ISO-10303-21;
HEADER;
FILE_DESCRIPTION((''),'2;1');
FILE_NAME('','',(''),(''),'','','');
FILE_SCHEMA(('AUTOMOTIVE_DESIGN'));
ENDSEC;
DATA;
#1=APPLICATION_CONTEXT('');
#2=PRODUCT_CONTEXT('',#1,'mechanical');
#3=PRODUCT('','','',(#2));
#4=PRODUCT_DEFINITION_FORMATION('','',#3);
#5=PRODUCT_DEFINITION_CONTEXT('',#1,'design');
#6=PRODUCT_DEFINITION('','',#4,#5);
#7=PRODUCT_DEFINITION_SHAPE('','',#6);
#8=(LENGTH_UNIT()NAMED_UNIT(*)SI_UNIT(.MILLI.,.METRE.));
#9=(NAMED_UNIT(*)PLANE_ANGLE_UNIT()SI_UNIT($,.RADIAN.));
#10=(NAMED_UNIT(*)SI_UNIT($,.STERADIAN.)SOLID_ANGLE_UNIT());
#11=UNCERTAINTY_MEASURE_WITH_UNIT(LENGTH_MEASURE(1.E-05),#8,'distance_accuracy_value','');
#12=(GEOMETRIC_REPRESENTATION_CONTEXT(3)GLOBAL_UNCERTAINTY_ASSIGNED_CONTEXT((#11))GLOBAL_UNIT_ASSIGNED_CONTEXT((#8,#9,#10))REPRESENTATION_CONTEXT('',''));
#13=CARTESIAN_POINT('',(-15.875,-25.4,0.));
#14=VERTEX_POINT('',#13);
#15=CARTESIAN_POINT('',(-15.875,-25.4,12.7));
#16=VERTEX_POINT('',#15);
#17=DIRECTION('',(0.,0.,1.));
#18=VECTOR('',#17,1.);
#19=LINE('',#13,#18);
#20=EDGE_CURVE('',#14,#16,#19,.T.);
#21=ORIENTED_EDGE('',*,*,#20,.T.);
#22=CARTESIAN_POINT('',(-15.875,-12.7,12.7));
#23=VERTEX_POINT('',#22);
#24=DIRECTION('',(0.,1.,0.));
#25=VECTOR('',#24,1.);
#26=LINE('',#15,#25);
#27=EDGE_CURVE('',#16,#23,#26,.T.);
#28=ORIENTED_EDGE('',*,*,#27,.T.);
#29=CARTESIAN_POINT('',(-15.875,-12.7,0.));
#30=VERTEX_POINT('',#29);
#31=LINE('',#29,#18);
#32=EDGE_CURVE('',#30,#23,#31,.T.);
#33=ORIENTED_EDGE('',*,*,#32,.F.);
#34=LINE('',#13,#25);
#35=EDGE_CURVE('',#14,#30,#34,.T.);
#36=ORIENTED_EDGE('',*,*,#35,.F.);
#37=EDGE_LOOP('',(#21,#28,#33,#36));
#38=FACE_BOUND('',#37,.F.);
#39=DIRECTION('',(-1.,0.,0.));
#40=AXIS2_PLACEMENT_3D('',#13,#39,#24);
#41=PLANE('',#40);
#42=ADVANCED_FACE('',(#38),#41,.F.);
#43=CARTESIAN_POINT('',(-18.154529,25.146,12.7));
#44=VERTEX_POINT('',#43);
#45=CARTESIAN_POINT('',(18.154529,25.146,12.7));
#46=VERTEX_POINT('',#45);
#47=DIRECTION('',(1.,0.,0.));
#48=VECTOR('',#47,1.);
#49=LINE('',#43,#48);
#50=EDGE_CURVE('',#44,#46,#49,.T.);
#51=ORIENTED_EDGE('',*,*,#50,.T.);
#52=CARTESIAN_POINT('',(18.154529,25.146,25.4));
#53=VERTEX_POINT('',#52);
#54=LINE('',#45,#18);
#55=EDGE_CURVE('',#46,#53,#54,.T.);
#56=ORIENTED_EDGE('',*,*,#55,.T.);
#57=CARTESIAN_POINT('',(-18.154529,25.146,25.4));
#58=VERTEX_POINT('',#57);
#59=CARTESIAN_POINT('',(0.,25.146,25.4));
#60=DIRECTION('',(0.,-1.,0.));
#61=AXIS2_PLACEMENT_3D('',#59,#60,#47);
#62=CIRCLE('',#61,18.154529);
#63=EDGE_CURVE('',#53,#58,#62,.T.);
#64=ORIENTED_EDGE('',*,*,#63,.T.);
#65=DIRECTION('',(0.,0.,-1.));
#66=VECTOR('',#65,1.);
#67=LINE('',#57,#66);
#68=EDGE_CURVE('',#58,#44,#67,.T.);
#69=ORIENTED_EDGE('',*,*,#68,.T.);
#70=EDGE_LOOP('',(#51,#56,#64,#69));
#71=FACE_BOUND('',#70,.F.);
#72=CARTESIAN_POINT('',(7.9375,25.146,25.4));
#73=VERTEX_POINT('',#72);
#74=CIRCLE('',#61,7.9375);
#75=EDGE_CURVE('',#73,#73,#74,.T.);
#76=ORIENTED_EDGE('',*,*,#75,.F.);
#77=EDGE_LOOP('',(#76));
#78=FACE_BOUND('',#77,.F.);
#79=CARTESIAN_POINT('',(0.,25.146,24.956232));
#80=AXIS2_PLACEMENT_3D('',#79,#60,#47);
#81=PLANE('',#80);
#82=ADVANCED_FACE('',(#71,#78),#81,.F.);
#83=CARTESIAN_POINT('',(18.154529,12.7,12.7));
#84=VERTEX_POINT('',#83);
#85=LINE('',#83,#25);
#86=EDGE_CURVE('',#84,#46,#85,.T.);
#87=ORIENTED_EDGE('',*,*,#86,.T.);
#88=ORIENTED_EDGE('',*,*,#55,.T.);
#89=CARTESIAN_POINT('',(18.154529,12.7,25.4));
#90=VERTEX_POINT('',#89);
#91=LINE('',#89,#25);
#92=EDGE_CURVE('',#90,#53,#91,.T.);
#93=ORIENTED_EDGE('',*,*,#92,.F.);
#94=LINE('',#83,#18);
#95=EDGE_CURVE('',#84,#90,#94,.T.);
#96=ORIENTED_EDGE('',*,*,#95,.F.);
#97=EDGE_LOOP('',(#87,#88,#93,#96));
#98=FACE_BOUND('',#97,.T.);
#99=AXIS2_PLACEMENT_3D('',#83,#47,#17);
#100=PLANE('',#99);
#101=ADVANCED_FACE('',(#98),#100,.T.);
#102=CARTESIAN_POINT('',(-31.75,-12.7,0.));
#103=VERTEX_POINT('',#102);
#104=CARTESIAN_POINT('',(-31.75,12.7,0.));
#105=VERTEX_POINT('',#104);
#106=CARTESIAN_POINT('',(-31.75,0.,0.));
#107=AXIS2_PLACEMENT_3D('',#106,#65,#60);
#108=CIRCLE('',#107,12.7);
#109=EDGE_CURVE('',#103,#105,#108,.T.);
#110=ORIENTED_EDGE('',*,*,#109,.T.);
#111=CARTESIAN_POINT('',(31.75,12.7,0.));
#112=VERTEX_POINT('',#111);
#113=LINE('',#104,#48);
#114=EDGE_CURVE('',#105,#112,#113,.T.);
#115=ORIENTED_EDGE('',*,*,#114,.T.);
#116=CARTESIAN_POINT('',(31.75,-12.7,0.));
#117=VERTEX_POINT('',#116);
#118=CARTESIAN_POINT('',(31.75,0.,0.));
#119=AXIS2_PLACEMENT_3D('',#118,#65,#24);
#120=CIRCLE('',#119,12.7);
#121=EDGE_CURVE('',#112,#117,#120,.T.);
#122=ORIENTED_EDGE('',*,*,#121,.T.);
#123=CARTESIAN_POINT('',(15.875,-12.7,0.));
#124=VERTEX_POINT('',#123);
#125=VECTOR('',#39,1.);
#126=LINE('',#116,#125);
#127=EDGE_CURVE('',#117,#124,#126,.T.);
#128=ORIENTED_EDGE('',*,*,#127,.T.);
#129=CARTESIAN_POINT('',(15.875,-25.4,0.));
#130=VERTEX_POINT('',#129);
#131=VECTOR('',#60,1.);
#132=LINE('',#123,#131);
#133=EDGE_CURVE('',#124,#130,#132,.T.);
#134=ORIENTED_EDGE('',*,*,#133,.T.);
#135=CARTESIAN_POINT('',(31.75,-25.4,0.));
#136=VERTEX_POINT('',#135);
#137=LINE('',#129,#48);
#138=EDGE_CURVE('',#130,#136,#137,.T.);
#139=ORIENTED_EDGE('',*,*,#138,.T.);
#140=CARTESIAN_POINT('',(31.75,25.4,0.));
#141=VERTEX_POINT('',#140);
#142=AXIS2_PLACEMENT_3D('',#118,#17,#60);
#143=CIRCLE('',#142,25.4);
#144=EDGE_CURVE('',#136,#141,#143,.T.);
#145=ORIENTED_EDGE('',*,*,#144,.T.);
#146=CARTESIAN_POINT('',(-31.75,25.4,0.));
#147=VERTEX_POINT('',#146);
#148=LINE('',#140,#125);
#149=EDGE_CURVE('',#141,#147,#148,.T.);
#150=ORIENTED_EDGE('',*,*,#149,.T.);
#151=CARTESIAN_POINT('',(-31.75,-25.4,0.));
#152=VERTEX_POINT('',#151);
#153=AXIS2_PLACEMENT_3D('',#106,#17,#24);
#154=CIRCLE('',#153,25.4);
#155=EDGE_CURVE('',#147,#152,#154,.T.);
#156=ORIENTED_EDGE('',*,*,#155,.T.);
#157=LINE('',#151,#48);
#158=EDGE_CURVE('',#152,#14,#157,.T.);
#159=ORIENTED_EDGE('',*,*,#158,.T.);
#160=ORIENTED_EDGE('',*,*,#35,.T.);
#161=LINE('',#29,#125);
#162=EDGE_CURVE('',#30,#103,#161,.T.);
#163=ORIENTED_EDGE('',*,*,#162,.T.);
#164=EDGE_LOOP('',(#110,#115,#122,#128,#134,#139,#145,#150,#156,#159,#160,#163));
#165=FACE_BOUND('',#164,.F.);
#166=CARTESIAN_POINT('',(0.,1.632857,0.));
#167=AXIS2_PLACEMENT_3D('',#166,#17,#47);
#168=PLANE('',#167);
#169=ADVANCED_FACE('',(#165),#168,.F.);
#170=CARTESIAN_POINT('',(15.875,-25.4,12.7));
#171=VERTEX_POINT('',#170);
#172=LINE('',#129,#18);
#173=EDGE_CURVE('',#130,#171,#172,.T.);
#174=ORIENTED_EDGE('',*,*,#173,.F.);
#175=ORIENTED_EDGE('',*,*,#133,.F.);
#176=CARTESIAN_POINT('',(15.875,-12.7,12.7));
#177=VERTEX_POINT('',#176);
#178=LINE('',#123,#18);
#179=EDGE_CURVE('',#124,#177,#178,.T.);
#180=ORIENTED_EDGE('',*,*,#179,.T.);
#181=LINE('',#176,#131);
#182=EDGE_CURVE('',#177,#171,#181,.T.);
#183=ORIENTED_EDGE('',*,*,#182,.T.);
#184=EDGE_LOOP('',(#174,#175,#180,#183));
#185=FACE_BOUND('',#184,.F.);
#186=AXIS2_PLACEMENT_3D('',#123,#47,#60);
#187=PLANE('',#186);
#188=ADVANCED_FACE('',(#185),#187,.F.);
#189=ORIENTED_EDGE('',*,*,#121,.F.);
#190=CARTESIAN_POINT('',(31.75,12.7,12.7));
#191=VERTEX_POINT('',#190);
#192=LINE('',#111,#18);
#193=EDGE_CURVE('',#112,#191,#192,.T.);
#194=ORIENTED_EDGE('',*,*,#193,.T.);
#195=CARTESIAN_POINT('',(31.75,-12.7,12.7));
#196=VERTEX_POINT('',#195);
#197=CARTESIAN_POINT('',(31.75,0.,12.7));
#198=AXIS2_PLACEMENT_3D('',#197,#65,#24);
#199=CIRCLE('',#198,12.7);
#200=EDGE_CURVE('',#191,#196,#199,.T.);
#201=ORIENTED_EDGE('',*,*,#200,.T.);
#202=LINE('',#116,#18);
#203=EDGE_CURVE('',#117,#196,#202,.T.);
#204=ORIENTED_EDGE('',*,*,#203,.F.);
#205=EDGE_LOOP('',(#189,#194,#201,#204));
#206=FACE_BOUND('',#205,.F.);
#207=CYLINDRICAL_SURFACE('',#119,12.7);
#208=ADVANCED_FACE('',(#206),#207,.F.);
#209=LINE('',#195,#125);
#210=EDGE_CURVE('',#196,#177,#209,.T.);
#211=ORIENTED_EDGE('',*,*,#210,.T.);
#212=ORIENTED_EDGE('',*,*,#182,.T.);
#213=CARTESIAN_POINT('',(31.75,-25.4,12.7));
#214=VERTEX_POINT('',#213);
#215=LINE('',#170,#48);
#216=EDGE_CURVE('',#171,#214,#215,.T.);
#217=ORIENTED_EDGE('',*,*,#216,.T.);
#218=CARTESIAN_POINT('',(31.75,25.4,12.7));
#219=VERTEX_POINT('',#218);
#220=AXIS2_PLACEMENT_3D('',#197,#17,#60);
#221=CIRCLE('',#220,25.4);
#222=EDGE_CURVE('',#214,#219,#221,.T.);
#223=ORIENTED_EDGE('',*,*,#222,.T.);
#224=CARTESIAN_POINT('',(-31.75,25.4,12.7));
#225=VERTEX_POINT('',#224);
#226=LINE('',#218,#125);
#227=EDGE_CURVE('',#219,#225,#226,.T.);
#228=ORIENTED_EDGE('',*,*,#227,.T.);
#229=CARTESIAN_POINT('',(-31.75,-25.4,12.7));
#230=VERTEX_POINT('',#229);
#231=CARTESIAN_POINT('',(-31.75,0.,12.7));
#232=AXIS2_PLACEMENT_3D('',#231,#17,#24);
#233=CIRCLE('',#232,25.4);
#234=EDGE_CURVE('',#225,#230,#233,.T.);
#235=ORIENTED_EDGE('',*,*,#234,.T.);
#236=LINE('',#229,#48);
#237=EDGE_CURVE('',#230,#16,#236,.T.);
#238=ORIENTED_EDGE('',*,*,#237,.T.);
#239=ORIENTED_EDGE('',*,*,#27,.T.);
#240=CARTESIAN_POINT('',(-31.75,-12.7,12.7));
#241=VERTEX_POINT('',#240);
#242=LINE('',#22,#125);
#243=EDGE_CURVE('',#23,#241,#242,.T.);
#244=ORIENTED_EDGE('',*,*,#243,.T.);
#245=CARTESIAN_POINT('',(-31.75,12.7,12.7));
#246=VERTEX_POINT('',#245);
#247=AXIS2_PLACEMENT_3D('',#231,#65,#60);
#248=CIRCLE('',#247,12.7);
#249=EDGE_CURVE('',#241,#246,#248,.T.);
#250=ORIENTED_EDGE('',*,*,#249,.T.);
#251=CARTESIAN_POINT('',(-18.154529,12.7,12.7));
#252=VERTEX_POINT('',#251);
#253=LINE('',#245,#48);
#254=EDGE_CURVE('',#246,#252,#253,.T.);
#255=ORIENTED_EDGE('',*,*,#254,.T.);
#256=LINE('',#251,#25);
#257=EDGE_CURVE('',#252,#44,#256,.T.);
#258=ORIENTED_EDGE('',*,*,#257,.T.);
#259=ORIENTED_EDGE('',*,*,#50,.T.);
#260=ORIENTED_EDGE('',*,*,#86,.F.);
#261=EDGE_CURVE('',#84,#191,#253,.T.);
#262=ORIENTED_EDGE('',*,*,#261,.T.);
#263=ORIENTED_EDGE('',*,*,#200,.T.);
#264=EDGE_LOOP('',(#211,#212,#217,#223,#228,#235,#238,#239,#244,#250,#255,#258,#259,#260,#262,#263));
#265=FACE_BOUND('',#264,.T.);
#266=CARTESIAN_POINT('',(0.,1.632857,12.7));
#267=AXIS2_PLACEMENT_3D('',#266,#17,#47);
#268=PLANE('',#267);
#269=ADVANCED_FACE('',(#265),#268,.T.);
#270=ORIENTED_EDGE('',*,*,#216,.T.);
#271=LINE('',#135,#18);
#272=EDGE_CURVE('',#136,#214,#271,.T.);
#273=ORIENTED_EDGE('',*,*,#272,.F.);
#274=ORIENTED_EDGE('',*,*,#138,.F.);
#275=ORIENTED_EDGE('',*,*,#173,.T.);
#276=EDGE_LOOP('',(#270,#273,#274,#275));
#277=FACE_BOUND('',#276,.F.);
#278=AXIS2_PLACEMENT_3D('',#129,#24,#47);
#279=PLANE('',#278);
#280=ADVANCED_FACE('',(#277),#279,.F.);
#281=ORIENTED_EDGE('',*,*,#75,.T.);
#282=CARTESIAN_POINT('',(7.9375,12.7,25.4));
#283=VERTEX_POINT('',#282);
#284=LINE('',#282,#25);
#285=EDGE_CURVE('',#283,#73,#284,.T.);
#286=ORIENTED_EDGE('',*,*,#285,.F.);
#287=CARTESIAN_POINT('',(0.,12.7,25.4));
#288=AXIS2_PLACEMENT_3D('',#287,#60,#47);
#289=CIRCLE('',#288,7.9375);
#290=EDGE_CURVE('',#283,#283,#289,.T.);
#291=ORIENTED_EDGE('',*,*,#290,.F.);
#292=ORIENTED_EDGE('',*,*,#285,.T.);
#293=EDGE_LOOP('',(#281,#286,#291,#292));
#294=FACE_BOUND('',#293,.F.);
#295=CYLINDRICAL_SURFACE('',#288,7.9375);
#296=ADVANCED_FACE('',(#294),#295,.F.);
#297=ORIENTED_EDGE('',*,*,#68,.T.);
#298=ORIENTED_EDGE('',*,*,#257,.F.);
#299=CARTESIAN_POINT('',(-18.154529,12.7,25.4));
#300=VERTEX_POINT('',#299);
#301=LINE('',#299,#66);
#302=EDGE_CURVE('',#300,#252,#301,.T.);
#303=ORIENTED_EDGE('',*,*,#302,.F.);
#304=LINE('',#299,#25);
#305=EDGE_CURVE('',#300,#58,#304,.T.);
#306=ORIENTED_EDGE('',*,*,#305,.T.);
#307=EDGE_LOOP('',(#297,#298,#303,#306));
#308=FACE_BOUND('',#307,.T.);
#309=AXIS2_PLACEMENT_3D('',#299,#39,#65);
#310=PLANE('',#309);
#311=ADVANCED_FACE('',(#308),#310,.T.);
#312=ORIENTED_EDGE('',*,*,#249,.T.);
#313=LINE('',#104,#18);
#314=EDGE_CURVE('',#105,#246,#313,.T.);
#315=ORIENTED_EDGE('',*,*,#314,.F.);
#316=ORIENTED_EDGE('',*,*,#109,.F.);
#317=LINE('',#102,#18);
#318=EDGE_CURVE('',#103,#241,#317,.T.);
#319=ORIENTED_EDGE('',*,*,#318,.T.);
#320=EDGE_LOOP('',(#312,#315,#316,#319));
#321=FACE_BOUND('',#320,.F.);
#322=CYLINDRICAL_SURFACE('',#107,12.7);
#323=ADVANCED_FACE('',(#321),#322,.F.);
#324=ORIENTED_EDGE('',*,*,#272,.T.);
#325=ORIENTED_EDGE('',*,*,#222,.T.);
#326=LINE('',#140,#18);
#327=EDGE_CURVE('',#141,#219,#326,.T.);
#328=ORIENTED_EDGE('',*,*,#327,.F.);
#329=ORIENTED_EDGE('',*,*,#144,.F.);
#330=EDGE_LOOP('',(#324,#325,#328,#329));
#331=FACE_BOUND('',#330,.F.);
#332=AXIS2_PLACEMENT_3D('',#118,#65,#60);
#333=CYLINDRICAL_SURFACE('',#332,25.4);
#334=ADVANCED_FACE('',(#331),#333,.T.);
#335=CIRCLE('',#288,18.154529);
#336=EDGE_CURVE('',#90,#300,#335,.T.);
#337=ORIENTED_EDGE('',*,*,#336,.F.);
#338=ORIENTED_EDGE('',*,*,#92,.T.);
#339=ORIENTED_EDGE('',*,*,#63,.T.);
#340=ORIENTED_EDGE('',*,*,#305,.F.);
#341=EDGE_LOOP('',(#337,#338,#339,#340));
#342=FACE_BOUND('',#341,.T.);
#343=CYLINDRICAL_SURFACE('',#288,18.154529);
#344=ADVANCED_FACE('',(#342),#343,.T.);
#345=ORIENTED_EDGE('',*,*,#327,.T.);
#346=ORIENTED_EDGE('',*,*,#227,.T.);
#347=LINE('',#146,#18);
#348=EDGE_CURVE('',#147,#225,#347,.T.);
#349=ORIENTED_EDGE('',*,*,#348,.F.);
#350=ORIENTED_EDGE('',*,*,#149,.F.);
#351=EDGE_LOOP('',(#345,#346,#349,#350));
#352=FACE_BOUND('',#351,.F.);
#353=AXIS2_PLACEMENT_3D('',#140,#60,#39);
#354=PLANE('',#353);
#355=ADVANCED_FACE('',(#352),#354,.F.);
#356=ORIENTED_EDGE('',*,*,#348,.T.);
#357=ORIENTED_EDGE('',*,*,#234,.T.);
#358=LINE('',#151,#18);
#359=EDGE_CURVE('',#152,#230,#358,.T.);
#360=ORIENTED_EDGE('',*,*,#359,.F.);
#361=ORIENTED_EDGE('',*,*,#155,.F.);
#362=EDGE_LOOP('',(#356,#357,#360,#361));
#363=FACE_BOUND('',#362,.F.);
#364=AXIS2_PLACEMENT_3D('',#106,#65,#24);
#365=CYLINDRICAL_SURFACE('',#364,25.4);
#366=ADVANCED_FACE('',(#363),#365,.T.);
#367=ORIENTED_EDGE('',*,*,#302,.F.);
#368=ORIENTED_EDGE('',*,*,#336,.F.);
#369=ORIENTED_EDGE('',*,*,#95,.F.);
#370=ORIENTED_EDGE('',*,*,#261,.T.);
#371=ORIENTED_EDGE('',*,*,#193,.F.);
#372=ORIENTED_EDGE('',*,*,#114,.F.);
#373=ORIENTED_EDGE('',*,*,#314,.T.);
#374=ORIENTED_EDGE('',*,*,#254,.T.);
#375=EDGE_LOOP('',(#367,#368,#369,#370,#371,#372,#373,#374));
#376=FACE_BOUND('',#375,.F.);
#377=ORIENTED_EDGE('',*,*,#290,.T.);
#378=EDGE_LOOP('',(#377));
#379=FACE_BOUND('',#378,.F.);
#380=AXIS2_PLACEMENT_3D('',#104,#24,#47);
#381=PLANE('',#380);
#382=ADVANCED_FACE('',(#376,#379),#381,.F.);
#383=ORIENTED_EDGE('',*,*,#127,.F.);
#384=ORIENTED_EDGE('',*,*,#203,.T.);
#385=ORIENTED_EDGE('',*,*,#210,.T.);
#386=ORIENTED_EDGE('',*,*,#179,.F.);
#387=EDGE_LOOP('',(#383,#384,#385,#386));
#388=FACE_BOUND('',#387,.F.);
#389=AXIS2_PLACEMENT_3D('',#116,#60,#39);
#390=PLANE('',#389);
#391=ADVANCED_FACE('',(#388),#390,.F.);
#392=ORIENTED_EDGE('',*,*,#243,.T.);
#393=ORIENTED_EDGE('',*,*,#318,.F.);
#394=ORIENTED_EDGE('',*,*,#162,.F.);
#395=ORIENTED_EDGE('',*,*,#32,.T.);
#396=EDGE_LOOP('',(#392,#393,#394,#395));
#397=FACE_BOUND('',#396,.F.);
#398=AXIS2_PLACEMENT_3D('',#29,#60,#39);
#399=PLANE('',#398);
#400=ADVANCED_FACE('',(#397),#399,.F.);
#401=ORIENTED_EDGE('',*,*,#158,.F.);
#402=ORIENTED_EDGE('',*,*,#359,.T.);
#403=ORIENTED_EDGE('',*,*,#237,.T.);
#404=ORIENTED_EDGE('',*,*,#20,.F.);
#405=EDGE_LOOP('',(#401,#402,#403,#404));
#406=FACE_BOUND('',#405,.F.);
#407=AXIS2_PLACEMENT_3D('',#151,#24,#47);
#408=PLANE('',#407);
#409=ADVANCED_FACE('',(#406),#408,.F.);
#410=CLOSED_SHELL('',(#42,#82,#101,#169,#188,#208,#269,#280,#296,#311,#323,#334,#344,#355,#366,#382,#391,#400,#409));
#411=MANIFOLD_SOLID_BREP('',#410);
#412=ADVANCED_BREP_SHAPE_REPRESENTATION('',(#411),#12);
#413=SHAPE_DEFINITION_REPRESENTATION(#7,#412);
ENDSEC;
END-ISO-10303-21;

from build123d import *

# Parameters (mm, degrees)
F1_DEPTH = 12.7
F2_R     = 7.9375
F3_DEPTH = 12.446


with BuildPart() as f1:
    # F0 (on Top) → F1 (new body)
    with BuildSketch(Plane.XY):
        with BuildLine():
            Line((15.875, -25.4), (31.75, -25.4))
            ThreePointArc((31.75, -25.4), (57.15, 0), (31.75, 25.4))
            Line((31.75, 25.4), (0, 25.4))
            Line((0, 25.4), (-31.75, 25.4))
            ThreePointArc((-31.75, 25.4), (-57.15, 0), (-31.75, -25.4))
            Line((-31.75, -25.4), (-15.875, -25.4))
            Line((-15.875, -25.4), (-15.875, -12.7))
            Line((-15.875, -12.7), (-31.75, -12.7))
            ThreePointArc((-31.75, -12.7), (-44.45, 0), (-31.75, 12.7))
            Line((-31.75, 12.7), (0, 12.7))
            Line((0, 12.7), (31.75, 12.7))
            ThreePointArc((31.75, 12.7), (44.45, 0), (31.75, -12.7))
            Line((31.75, -12.7), (15.875, -12.7))
            Line((15.875, -12.7), (15.875, -25.4))
        make_face()
    extrude(amount=F1_DEPTH)

    # F2 (on face) → F3 (join)
    with BuildSketch(Plane.XZ.offset(-12.7)):
        with BuildLine():
            Line((18.154529, 12.7), (18.154529, 25.4))
            ThreePointArc((18.154529, 25.4), (0, 43.554529), (-18.154529, 25.4))
            Line((-18.154529, 25.4), (-18.154529, 12.7))
            Line((-18.154529, 12.7), (18.154529, 12.7))
        make_face()
        with Locations((0, 25.4)):
            Circle(F2_R, mode=Mode.SUBTRACT)
    extrude(amount=-F3_DEPTH)


solid = f1.part
